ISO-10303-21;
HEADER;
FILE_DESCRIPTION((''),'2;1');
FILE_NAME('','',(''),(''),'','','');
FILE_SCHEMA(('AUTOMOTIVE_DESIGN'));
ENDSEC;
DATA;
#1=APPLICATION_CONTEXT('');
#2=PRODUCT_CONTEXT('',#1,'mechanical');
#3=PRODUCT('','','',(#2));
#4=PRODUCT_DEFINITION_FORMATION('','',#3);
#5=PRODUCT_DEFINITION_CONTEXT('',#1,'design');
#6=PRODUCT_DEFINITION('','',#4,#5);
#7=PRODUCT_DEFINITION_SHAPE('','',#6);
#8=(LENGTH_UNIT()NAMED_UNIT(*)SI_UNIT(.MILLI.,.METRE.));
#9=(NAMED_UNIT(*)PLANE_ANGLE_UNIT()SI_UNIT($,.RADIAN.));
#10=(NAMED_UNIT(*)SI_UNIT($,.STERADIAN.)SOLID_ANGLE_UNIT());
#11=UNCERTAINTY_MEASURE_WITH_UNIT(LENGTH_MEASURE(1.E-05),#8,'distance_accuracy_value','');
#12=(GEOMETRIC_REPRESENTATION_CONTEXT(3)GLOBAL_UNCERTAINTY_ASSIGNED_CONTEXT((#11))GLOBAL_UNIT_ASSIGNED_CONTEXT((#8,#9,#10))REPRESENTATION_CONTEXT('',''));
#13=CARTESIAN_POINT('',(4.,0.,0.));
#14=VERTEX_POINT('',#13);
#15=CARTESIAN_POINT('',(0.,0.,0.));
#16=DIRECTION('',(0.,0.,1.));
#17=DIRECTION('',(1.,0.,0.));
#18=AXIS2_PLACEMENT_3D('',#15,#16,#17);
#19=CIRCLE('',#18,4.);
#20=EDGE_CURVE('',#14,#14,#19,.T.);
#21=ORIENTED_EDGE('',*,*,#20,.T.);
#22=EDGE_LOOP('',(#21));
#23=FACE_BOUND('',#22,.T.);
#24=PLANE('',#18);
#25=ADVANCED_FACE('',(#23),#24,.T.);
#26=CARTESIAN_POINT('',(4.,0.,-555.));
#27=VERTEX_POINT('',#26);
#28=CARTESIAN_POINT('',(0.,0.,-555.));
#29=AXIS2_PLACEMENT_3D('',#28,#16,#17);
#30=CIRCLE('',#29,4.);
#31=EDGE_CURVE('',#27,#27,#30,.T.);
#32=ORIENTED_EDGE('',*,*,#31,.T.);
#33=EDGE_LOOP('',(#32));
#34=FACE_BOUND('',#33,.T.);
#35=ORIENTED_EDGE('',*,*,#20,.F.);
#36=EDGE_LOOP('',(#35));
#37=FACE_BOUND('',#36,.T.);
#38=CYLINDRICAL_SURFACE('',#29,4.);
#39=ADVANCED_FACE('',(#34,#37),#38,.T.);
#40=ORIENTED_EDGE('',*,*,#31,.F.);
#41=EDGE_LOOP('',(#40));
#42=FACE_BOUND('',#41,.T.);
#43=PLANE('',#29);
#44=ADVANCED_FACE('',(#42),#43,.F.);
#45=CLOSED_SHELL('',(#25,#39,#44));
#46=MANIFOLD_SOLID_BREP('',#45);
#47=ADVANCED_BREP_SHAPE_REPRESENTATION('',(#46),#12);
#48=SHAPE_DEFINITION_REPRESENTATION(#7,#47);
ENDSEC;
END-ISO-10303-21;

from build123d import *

# Parameters (mm, degrees)
CROQUIS1_R              = 4
SALIENTE_EXTRUIR1_DEPTH = 555


with BuildPart() as part:
    # Croquis1 → Saliente-Extruir1 (new body)
    with BuildSketch(Plane.XY):
        Circle(CROQUIS1_R)
    extrude(amount=-SALIENTE_EXTRUIR1_DEPTH)


solid = part.part
